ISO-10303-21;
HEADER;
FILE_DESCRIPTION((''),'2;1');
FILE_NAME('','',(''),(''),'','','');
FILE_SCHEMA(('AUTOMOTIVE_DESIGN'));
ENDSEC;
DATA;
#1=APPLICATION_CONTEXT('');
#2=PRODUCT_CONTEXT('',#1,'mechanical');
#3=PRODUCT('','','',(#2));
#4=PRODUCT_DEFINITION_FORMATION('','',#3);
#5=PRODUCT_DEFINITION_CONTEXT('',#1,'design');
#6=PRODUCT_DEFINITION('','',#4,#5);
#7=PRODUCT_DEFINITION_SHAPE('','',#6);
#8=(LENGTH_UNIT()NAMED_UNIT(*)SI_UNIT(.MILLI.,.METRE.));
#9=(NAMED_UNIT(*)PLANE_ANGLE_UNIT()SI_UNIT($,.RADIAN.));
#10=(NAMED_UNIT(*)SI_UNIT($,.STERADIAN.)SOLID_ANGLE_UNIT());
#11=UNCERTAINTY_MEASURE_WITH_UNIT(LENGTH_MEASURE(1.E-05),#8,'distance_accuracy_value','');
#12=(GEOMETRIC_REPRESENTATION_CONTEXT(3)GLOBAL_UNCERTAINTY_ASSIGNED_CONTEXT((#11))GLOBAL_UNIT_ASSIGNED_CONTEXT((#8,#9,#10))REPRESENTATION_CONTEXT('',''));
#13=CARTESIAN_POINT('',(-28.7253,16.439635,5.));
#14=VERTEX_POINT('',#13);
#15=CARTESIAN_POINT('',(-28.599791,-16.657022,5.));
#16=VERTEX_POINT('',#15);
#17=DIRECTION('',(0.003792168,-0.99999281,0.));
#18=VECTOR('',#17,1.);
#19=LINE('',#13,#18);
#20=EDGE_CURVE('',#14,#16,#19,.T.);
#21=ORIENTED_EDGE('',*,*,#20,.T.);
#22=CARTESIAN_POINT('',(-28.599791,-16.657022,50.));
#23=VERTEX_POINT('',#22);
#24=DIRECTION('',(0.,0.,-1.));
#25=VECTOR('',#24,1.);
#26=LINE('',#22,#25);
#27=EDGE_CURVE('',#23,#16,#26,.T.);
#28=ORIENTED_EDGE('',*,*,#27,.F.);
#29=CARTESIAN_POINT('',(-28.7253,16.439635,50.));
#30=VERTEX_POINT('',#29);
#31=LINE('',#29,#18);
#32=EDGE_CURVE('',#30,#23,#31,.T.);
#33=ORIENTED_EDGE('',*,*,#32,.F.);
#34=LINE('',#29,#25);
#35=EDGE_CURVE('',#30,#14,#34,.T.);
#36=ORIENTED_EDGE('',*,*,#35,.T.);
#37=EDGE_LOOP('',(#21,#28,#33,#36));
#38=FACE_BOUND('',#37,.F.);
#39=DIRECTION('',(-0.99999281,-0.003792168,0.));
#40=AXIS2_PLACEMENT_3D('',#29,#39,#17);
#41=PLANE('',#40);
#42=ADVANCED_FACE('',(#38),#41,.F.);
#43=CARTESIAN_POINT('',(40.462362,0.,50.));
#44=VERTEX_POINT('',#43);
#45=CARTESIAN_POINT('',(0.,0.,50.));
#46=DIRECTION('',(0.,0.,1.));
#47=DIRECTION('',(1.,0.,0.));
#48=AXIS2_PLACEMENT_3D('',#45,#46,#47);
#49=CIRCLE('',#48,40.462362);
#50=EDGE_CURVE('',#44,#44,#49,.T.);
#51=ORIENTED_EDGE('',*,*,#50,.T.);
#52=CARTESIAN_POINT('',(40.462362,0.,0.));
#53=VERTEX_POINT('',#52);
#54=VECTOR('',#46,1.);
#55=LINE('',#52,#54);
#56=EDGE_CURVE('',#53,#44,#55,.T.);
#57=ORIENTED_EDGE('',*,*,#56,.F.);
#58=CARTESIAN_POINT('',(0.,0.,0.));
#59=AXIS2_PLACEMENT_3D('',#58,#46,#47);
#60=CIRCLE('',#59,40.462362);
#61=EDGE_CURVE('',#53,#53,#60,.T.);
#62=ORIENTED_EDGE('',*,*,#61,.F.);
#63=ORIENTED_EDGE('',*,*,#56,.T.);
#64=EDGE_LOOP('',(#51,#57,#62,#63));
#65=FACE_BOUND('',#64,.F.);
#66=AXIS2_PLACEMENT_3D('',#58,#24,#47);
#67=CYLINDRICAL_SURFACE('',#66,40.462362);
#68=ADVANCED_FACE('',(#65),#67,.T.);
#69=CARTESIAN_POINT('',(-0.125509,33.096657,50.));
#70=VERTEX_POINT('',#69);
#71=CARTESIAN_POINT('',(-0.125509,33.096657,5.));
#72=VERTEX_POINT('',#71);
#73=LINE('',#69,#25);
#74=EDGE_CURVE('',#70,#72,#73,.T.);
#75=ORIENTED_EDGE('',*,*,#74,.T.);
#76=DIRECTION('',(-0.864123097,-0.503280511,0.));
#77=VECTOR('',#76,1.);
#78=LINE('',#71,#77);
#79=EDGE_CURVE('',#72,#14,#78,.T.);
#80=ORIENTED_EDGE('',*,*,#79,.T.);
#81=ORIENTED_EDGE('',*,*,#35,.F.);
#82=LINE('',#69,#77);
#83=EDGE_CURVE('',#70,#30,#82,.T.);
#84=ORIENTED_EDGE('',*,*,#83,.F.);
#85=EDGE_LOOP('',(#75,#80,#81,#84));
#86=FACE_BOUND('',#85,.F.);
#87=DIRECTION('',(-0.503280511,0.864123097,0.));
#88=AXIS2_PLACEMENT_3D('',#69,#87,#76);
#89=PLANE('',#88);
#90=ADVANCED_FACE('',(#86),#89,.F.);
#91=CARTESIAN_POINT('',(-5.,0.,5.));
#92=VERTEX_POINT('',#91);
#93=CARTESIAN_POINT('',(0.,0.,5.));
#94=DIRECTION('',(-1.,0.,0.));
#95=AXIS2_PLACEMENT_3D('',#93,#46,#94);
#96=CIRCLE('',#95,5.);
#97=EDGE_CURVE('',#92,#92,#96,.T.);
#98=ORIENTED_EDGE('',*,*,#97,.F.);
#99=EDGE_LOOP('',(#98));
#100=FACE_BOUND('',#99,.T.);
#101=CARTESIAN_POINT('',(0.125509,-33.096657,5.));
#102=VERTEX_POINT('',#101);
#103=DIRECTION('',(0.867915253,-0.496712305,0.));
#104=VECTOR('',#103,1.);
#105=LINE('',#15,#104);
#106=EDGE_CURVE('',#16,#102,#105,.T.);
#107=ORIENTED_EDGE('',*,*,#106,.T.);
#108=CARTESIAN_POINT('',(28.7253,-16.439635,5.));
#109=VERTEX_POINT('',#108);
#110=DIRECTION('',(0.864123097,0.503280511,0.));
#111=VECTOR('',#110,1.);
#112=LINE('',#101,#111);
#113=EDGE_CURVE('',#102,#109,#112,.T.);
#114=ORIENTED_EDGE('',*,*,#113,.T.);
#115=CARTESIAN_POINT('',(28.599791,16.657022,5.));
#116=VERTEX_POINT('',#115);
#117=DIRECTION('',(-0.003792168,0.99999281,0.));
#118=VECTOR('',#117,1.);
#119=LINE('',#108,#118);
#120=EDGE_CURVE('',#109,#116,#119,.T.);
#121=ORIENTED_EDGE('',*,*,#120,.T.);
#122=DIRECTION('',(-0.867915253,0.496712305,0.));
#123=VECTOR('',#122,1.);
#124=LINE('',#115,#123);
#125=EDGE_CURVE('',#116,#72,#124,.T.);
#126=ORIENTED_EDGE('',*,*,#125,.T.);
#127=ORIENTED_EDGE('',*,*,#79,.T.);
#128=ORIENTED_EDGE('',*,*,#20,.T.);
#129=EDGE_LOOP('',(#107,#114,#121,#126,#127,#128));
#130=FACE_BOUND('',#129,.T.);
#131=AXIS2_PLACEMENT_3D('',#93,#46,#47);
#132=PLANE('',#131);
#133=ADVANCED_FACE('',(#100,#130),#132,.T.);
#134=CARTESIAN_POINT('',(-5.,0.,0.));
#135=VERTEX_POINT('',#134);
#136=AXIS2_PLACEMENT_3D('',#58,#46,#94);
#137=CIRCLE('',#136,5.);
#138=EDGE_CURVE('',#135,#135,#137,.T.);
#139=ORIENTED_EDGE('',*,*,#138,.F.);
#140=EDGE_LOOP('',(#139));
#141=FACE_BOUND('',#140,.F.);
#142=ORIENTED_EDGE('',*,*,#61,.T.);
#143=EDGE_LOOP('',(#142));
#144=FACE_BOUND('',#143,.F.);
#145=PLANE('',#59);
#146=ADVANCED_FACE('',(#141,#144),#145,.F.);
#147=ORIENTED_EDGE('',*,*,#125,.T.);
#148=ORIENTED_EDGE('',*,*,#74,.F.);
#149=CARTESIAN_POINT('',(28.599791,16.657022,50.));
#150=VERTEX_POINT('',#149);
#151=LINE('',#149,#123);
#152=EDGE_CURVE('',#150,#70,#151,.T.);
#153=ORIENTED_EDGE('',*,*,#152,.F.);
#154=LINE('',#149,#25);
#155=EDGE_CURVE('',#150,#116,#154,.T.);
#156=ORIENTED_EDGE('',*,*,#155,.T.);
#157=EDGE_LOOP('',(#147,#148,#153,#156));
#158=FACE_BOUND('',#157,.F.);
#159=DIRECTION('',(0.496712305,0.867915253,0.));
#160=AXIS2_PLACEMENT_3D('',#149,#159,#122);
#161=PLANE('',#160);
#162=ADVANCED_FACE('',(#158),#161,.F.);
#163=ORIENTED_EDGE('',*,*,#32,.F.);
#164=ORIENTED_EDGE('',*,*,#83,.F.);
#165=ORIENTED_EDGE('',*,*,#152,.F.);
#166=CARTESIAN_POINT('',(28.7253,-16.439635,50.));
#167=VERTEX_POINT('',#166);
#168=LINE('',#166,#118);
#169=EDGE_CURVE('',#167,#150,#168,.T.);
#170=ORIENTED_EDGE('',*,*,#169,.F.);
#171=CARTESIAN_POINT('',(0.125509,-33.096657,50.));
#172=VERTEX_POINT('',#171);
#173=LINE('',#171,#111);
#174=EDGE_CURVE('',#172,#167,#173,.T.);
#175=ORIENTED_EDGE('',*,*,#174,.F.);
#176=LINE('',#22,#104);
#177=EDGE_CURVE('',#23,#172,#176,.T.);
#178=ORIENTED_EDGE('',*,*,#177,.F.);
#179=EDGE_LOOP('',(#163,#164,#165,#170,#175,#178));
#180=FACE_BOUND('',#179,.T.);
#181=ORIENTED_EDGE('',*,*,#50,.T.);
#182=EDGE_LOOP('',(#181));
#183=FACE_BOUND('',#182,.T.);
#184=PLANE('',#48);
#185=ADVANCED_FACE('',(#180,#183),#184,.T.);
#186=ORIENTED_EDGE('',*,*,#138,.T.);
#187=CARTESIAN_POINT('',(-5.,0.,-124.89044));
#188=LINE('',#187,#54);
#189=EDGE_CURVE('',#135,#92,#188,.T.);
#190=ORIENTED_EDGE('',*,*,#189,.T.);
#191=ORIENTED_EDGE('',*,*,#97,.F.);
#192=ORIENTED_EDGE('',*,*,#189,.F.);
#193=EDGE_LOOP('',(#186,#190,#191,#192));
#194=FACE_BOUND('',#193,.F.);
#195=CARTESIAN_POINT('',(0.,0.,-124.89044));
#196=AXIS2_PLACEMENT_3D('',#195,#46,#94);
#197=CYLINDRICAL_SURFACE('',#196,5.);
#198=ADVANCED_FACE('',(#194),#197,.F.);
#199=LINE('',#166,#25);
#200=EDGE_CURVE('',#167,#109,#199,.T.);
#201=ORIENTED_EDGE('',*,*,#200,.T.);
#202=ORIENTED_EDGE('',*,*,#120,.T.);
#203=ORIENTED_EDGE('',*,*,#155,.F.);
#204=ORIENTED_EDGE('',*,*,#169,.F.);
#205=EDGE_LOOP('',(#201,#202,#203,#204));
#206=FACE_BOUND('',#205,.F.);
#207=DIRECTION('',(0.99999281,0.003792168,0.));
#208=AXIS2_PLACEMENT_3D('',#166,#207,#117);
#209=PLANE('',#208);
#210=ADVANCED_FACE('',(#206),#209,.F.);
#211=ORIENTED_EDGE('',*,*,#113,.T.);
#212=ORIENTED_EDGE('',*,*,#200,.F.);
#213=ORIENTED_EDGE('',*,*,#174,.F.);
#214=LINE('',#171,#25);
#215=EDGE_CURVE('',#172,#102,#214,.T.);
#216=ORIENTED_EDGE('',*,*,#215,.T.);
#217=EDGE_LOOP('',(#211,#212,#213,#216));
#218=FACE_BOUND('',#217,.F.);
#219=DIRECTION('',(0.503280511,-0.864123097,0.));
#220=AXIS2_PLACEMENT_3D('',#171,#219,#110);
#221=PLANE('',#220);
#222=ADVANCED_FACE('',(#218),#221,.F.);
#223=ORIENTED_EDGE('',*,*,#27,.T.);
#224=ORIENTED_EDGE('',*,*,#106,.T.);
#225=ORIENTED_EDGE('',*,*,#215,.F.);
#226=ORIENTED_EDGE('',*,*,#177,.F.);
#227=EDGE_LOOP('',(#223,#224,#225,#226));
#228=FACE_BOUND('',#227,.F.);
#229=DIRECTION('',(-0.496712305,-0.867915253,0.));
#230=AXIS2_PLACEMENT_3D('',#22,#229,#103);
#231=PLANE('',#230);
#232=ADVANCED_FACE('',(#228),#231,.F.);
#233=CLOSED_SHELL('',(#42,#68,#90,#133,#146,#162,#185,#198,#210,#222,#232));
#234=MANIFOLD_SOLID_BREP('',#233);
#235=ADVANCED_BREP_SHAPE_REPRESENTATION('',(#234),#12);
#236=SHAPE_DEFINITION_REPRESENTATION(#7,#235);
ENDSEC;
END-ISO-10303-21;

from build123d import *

# Parameters (mm, degrees)
F0_R     = 40.462362
F1_DEPTH = 50
F3_DEPTH = 45
F5_D     = 10


with BuildPart() as f1:
    # F0 (on Top) → F1 (new body)
    with BuildSketch(Plane.XY):
        Circle(F0_R)
    extrude(amount=F1_DEPTH)

    # F2 (on face) → F3 (cut)
    with BuildSketch(Plane.XY.offset(50)):
        Polygon((-0.125509, 33.096657), (-28.7253, 16.439635), (-28.599791, -16.657022), (0.125509, -33.096657), (28.7253, -16.439635), (28.599791, 16.657022), align=None)
    extrude(amount=-F3_DEPTH, mode=Mode.SUBTRACT)

    # F5 (through all)
    with Locations(Plane(origin=(0, 0, 0), x_dir=(1, 0, 0), z_dir=(0, 0, -1))):
        with Locations((0, 0)):
            Hole(F5_D / 2)


solid = f1.part
